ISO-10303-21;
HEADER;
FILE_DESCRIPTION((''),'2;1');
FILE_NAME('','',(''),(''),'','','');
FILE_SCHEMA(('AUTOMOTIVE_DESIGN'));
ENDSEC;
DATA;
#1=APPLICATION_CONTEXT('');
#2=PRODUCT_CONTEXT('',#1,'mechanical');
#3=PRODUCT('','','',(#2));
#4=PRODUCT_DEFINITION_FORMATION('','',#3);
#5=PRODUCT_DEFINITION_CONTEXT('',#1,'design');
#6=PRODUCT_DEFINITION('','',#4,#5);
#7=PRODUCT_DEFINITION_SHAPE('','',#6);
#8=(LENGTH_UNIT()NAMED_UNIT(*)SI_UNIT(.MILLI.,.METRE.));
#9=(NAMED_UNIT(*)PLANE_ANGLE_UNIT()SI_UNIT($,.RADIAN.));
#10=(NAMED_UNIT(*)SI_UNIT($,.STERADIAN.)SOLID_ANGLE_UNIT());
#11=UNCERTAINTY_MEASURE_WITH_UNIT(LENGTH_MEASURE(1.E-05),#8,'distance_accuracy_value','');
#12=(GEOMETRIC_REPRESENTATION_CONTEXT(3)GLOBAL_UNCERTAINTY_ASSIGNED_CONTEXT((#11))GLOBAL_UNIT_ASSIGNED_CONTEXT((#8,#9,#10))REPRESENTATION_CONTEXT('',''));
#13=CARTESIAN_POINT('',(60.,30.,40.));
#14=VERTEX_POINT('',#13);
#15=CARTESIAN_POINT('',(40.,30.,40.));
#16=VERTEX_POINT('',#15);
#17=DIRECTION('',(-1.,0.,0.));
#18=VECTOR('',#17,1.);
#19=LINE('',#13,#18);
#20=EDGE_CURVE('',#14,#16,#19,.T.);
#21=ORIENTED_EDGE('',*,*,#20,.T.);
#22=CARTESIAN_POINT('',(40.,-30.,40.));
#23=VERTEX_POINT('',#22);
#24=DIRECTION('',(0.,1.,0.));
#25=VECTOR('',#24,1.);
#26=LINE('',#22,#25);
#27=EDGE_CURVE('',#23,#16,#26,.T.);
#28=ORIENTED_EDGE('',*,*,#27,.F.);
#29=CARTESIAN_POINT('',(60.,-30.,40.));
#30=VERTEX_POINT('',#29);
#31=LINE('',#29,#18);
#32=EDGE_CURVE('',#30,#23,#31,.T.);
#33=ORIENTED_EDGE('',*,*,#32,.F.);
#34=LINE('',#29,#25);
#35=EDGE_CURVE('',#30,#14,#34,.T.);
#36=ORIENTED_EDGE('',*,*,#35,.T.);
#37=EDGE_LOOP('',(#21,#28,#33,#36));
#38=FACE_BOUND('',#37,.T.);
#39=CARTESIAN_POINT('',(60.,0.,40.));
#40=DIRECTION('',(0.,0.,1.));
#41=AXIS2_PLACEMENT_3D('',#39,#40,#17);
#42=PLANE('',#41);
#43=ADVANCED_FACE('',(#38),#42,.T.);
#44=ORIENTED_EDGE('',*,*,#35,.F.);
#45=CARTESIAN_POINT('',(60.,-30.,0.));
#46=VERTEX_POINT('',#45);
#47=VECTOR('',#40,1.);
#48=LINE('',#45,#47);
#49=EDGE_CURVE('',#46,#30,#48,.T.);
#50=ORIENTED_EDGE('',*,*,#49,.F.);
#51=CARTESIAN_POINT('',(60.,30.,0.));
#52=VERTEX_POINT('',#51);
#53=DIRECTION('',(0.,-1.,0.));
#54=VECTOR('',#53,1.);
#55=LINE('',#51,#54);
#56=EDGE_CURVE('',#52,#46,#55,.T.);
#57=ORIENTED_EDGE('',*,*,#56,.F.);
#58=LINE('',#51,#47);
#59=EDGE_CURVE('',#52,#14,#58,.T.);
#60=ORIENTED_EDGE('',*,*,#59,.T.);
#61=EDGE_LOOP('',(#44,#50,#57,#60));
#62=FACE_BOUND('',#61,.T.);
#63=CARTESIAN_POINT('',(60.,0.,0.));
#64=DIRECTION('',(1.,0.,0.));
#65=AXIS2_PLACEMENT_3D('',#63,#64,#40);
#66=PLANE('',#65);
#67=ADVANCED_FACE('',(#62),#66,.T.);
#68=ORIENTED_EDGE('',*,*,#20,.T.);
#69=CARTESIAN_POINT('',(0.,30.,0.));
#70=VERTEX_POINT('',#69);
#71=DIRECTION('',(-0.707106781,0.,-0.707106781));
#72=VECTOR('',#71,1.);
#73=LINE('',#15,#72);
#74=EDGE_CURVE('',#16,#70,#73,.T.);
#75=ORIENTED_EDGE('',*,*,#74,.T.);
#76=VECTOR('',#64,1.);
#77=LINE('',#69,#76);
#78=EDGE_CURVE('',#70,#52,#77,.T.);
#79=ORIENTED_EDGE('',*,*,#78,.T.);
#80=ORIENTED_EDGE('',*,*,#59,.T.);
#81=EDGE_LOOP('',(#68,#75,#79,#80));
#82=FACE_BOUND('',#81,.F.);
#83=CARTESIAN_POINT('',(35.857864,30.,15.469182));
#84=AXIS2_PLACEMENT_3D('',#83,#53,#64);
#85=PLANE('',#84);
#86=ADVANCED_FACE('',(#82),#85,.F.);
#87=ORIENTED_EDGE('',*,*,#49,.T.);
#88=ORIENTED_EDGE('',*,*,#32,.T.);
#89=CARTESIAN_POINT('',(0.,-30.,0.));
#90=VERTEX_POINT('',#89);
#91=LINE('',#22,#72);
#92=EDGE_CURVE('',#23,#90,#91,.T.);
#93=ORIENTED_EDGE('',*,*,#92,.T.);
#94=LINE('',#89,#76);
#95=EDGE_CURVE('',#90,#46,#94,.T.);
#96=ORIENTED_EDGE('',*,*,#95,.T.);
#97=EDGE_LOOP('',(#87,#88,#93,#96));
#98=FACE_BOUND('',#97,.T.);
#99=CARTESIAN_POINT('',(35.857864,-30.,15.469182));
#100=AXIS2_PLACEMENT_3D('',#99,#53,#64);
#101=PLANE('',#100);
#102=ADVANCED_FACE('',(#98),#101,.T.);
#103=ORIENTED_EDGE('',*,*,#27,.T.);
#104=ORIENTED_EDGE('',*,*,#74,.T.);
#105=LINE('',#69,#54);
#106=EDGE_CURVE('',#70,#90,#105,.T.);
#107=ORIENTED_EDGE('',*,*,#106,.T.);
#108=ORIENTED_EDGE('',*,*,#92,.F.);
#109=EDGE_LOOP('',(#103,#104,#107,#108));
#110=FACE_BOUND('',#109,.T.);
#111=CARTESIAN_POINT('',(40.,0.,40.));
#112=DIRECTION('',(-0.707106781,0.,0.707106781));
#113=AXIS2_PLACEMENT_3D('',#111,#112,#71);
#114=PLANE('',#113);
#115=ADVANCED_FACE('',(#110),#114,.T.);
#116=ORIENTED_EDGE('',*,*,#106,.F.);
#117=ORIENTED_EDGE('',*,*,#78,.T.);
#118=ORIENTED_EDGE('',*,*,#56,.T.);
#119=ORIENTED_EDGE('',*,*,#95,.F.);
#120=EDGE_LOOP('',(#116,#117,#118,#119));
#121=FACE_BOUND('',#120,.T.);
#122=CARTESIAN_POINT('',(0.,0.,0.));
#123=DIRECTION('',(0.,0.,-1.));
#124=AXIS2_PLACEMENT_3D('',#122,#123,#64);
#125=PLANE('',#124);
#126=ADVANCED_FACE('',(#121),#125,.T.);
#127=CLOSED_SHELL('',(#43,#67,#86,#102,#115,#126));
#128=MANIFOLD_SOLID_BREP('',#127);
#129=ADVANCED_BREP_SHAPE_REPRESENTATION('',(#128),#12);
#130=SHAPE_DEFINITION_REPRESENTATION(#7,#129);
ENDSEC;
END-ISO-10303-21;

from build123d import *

# Parameters (mm, degrees)
F1_DEPTH      = 30
F1_DEPTH_BACK = 30


with BuildPart() as f1:
    # F0 (on Front) → F1 (new body, two sides)
    with BuildSketch(Plane.XZ) as f1_sk:
        Polygon((40, 40), (0, 0), (60, 0), (60, 40), align=None)
    extrude(amount=F1_DEPTH)
    extrude(f1_sk.sketch, amount=-F1_DEPTH_BACK)


solid = f1.part
